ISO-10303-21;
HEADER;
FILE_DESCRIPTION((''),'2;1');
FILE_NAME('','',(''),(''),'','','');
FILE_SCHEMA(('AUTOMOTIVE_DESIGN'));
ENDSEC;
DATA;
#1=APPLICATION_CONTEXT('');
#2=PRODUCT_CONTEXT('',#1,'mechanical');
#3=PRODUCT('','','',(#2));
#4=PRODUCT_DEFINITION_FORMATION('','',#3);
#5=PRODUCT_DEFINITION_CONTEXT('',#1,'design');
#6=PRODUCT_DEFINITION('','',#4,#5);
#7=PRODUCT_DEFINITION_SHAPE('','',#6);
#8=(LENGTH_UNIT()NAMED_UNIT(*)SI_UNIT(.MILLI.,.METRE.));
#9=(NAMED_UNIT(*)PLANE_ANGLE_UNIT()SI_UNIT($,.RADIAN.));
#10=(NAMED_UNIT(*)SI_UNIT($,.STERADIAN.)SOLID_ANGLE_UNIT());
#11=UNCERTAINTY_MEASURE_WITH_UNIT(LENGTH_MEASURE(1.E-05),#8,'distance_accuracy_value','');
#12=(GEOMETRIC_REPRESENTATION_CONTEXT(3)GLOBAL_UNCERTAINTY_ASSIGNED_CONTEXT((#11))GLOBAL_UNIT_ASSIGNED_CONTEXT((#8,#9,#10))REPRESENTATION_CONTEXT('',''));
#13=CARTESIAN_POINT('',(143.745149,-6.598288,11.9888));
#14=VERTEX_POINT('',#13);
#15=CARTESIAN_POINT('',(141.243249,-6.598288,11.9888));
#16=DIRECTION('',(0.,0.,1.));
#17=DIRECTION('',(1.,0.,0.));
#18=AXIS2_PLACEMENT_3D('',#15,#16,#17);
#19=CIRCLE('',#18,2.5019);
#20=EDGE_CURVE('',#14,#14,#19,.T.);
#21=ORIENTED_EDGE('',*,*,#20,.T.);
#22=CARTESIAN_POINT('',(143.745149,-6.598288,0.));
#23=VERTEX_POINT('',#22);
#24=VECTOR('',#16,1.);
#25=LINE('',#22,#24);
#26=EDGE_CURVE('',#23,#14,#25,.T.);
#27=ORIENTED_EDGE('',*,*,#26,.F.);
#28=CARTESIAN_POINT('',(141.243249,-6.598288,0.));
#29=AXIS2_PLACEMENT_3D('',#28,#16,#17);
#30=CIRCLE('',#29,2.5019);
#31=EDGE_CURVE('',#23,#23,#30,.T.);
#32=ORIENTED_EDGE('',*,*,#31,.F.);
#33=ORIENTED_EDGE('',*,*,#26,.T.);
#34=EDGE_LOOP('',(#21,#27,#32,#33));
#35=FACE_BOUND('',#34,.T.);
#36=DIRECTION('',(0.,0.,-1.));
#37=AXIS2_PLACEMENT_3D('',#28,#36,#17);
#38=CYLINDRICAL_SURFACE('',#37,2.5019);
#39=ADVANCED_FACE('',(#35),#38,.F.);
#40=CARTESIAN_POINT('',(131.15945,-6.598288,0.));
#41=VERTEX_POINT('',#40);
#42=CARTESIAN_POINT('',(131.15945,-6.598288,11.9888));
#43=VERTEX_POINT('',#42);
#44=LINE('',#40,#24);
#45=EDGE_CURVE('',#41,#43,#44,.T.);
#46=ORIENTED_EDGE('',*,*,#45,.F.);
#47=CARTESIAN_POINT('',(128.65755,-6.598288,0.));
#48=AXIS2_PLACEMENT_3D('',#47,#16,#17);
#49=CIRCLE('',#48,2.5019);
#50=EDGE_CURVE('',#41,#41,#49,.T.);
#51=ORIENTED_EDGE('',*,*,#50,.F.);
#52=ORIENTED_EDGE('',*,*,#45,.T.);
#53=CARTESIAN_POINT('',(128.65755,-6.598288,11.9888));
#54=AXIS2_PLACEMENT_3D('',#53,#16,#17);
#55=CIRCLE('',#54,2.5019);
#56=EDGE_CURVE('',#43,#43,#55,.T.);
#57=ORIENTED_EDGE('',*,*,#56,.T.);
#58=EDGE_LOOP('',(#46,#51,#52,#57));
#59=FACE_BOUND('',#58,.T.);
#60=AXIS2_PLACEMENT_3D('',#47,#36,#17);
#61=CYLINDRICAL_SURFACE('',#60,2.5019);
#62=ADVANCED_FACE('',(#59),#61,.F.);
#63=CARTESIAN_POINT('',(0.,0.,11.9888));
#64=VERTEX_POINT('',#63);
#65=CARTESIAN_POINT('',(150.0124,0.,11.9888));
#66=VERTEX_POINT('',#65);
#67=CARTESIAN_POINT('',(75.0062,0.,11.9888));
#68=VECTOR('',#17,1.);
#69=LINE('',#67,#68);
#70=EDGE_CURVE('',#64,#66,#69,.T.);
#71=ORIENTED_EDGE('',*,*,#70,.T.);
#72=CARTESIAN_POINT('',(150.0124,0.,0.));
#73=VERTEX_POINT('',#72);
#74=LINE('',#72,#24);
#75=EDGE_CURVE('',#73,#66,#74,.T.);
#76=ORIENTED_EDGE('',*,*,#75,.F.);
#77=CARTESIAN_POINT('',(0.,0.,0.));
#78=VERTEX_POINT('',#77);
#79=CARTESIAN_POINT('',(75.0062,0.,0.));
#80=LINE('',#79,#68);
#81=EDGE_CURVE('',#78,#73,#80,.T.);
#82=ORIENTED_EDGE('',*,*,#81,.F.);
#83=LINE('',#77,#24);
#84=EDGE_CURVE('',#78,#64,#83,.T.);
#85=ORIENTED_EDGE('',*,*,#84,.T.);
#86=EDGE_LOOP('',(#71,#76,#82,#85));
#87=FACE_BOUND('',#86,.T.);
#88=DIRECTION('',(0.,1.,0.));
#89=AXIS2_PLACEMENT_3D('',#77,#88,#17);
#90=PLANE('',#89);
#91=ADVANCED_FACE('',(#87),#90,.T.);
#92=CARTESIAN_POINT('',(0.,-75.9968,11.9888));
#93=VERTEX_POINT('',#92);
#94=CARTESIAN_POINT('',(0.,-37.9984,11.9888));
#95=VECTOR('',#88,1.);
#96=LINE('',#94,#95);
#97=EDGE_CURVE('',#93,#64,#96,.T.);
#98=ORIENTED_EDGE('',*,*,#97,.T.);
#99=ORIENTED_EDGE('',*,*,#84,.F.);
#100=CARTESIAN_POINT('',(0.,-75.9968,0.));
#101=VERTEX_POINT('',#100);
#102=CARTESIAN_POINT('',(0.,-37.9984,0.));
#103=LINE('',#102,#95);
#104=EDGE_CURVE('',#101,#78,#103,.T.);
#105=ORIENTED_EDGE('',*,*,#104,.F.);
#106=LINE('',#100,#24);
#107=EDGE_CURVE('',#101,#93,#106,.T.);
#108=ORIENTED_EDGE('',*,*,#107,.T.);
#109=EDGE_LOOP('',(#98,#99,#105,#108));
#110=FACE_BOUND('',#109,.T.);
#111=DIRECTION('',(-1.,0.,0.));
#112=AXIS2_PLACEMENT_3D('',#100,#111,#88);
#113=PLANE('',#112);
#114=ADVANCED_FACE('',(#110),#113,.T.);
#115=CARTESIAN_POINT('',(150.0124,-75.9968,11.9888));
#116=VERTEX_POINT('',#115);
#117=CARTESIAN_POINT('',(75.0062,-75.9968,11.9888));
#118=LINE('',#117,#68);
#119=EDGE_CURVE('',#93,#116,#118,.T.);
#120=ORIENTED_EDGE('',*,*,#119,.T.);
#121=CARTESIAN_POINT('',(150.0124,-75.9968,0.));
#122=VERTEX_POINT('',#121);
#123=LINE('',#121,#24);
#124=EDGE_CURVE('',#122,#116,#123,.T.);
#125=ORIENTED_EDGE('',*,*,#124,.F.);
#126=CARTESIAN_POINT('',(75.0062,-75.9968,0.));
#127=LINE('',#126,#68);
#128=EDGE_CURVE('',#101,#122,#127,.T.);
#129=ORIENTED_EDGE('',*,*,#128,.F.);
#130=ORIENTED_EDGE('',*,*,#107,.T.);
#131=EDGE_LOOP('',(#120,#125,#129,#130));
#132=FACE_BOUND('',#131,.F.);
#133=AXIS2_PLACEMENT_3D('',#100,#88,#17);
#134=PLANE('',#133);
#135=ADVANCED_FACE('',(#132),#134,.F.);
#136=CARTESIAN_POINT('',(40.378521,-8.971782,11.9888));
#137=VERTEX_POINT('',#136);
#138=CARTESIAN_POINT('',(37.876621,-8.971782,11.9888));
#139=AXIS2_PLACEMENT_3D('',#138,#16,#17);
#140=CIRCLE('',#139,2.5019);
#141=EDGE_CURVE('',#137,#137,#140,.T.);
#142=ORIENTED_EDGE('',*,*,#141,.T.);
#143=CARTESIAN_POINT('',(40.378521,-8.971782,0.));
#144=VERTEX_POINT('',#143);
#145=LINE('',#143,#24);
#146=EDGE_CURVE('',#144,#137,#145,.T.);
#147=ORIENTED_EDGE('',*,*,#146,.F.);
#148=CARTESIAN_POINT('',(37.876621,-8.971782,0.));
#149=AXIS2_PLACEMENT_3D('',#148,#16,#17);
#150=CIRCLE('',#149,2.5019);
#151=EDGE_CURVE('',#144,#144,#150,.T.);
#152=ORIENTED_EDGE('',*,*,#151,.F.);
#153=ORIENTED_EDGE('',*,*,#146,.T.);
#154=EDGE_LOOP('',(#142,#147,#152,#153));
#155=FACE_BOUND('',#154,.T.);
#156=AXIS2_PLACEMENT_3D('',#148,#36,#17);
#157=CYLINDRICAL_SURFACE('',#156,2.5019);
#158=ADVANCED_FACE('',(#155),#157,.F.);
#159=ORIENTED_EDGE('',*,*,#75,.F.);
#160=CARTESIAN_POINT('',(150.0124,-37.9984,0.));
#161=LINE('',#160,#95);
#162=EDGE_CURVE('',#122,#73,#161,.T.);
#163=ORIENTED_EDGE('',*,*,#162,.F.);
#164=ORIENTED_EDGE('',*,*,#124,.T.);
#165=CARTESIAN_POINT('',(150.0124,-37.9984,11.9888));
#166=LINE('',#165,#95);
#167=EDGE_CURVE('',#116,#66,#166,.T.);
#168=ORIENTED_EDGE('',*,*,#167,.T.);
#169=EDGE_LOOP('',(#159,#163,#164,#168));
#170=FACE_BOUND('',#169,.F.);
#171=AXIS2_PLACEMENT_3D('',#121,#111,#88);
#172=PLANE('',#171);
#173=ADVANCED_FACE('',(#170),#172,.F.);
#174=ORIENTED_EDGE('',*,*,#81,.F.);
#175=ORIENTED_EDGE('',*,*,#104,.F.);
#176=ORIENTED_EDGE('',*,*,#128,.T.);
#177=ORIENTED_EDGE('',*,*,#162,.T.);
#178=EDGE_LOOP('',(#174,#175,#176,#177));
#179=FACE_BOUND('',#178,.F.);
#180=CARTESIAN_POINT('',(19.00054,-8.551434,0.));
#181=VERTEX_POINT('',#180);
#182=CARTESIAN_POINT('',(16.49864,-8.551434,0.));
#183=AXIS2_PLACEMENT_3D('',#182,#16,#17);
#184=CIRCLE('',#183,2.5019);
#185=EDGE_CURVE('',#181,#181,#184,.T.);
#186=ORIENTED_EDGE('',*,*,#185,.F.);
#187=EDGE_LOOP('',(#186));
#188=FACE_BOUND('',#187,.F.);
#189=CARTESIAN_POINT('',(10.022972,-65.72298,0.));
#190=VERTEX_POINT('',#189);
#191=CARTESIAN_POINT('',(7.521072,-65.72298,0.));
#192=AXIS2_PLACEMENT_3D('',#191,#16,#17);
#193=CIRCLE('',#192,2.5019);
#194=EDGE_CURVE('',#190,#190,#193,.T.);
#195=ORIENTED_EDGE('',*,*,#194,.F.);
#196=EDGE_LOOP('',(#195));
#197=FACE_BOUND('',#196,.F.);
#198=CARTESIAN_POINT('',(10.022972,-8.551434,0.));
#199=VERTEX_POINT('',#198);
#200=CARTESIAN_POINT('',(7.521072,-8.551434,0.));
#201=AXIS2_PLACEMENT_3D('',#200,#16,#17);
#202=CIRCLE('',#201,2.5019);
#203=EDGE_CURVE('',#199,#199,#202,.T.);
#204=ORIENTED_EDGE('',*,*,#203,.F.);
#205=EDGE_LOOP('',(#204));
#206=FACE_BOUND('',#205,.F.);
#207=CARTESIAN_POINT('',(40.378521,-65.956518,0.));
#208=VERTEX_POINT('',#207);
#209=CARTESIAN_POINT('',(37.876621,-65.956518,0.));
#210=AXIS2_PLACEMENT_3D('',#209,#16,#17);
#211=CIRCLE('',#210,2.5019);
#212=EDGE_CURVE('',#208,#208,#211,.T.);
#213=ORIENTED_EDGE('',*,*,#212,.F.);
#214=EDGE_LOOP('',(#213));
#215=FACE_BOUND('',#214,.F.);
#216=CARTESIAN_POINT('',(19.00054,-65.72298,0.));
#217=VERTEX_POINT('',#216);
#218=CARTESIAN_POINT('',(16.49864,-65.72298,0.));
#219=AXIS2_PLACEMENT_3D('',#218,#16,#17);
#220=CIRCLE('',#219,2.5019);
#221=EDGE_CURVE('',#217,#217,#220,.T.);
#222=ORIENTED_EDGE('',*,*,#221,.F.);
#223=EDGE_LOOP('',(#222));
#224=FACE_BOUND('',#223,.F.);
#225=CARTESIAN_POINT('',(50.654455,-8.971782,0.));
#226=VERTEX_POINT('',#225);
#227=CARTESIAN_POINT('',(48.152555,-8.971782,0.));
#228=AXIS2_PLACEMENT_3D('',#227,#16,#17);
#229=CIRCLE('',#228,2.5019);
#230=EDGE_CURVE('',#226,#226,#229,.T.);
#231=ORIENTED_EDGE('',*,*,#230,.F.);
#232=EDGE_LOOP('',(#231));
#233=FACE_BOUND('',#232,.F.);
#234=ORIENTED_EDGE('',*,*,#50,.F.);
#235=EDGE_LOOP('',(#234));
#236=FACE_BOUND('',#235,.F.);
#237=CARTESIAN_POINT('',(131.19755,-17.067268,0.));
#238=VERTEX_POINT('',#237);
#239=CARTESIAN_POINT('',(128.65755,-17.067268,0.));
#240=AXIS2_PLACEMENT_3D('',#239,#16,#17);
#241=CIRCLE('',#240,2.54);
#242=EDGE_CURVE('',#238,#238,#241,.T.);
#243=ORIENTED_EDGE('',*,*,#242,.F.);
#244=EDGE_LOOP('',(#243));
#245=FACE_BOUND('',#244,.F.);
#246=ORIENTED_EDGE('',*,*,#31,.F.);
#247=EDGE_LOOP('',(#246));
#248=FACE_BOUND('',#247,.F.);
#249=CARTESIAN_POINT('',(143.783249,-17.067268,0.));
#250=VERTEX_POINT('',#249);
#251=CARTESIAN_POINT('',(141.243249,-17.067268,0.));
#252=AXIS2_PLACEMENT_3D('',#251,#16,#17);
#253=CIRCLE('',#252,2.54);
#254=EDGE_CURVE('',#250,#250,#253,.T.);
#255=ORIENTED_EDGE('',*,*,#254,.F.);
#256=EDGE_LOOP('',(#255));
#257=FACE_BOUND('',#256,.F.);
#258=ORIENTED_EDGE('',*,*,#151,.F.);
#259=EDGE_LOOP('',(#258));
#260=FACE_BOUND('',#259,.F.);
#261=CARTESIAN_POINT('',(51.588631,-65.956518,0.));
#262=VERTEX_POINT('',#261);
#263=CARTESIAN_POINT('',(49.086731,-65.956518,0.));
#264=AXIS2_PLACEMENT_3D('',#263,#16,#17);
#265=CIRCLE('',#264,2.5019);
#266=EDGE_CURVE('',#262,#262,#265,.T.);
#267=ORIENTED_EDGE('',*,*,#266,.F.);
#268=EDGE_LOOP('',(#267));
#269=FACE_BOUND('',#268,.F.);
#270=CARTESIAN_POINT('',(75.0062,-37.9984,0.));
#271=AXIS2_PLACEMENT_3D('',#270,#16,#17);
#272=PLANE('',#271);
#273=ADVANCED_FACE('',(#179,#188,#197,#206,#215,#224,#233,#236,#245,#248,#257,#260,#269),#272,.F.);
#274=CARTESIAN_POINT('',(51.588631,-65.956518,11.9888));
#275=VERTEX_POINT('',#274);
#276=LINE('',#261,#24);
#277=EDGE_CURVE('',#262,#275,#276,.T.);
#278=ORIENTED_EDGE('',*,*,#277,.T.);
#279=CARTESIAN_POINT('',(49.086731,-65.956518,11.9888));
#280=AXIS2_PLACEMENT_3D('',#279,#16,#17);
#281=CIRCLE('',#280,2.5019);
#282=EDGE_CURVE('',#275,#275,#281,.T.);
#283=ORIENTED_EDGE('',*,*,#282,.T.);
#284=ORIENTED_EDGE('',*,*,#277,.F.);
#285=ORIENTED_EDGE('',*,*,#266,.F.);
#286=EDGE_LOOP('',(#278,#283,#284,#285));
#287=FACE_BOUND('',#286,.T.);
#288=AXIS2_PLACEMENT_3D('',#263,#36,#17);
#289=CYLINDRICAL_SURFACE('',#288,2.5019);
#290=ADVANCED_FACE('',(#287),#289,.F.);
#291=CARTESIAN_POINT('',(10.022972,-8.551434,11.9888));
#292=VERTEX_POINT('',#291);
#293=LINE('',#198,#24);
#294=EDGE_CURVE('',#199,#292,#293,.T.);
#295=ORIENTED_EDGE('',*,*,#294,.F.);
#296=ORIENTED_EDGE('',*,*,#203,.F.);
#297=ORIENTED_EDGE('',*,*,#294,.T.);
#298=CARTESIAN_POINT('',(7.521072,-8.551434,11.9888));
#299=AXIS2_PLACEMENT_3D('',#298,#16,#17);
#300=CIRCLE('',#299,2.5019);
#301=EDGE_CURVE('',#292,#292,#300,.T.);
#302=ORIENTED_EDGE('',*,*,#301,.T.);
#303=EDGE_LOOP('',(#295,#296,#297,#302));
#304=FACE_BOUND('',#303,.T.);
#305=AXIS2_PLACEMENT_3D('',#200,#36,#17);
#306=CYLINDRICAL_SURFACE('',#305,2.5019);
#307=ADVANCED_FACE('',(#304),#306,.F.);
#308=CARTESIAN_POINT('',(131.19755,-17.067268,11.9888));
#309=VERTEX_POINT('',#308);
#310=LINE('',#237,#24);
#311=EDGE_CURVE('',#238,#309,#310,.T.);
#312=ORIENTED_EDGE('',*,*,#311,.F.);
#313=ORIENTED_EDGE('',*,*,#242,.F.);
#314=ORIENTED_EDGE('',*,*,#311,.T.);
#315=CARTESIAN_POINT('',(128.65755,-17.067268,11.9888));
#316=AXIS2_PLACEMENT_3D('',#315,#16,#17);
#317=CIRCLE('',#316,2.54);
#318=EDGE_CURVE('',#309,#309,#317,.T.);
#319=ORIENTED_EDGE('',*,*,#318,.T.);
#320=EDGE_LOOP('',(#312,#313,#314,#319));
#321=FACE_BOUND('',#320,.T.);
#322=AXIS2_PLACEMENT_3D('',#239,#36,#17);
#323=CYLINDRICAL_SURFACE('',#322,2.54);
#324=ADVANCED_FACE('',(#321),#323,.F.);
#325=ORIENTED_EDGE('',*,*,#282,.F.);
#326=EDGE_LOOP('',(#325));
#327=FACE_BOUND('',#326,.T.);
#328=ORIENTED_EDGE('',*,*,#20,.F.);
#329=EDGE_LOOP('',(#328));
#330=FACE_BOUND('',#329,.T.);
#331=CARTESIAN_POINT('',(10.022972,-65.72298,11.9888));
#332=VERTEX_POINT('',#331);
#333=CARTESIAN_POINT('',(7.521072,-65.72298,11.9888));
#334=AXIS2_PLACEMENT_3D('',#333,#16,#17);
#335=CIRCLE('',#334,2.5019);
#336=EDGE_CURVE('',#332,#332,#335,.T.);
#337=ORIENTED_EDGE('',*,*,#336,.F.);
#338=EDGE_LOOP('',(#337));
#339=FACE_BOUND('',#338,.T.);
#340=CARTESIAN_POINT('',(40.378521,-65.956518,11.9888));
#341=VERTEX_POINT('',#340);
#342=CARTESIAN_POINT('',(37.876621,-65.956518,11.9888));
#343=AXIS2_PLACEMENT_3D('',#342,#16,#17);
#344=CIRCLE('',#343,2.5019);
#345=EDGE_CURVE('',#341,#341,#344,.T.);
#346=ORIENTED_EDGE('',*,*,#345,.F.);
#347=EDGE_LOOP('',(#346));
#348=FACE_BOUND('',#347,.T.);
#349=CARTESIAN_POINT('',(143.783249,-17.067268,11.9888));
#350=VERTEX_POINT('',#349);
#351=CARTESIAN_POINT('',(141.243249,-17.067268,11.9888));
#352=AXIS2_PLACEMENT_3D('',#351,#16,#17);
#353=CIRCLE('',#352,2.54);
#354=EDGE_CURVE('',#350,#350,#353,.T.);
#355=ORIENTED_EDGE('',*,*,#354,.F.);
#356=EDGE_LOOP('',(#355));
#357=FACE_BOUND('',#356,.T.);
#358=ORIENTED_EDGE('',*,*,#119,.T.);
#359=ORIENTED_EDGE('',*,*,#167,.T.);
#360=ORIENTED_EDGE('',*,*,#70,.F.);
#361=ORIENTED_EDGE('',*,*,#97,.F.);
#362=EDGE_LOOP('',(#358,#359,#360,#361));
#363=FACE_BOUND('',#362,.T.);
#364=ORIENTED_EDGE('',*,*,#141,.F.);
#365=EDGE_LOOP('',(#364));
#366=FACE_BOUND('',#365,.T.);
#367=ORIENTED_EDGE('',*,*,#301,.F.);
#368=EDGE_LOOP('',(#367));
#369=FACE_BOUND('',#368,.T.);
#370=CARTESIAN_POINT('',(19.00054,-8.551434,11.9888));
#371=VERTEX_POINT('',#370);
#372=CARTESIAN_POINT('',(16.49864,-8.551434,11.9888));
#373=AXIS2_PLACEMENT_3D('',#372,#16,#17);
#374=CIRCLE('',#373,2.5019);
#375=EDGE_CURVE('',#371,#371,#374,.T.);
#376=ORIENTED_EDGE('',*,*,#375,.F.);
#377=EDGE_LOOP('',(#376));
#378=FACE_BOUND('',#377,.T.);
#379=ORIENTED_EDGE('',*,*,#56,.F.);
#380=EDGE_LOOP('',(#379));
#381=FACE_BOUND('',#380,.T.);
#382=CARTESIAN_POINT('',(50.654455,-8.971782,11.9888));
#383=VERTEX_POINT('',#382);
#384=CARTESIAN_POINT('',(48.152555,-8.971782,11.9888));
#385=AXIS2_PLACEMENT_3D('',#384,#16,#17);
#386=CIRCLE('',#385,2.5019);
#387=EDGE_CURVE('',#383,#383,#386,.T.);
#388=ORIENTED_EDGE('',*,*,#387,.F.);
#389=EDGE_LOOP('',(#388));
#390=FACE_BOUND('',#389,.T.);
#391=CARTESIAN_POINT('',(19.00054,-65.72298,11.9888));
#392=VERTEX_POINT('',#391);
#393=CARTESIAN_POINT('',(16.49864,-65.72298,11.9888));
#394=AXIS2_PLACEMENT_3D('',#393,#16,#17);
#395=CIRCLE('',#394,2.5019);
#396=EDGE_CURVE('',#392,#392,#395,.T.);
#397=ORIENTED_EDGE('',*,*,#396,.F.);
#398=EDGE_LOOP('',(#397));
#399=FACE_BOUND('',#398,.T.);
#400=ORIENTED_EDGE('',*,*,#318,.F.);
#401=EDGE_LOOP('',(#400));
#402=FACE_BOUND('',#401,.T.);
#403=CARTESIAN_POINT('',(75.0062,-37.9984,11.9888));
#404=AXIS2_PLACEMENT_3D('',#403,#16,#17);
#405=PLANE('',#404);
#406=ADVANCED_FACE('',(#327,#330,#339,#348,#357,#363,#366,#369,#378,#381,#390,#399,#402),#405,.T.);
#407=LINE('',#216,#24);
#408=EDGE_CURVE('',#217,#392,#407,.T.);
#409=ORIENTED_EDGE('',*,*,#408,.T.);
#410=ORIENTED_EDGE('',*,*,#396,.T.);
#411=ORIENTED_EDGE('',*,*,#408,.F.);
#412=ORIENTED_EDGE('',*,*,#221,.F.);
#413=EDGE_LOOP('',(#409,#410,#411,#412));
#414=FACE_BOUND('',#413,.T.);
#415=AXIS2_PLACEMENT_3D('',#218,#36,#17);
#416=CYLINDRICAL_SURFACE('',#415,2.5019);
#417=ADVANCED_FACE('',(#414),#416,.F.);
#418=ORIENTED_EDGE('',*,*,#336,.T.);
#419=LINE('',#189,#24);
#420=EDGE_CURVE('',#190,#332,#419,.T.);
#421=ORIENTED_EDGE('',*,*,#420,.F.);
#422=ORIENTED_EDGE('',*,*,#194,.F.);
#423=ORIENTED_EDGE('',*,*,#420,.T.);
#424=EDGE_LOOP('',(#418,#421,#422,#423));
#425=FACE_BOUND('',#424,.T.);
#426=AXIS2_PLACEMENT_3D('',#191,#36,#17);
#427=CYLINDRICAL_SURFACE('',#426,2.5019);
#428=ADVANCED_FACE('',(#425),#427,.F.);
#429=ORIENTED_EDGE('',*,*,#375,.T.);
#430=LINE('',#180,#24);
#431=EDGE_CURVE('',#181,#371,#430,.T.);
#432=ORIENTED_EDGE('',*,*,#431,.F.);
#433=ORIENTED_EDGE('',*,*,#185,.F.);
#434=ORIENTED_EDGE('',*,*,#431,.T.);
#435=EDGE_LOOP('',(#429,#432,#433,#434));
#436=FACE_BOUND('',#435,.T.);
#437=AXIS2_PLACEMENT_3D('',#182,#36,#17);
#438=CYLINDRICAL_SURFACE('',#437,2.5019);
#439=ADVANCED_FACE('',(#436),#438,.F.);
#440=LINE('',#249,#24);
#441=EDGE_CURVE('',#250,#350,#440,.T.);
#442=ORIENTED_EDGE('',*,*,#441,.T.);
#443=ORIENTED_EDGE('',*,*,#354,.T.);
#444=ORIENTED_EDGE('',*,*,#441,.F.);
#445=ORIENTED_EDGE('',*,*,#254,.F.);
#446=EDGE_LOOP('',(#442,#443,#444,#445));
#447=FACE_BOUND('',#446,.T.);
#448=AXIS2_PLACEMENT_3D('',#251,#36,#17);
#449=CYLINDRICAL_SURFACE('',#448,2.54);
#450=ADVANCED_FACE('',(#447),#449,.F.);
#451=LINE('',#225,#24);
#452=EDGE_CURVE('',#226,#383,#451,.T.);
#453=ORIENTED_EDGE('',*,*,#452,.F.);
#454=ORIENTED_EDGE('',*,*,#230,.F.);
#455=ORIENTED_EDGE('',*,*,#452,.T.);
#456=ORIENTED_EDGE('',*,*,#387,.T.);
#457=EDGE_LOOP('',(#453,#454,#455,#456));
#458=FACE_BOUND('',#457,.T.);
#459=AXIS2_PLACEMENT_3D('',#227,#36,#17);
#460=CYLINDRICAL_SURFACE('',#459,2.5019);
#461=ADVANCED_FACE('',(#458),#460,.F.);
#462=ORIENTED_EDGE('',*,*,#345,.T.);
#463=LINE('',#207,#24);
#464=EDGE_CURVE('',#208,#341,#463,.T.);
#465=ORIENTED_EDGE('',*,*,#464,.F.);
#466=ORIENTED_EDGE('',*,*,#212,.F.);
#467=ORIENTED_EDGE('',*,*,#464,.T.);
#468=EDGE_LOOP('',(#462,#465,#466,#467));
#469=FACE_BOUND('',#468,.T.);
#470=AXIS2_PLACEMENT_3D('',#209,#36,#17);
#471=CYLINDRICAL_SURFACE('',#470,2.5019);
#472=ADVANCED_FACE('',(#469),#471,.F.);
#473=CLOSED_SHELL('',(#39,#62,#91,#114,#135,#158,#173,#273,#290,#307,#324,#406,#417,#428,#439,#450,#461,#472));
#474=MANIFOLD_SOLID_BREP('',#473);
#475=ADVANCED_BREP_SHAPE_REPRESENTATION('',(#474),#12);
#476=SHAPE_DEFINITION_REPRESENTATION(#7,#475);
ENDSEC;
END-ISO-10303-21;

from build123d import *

# Parameters (mm, degrees)
F0_W     = 150.0124
F0_H     = 75.9968
F0_R     = 2.5019
F0_R_2   = 2.54
F1_DEPTH = 11.9888


with BuildPart() as f1:
    # F0 (on Top) → F1 (new body)
    with BuildSketch(Plane.XY):
        with Locations((75.0062, -37.9984)):
            Rectangle(F0_W, F0_H)
        with Locations((7.521072, -65.72298)):
            Circle(F0_R, mode=Mode.SUBTRACT)
        with Locations((16.49864, -65.72298)):
            Circle(F0_R, mode=Mode.SUBTRACT)
        with Locations((37.876621, -65.956518)):
            Circle(F0_R, mode=Mode.SUBTRACT)
        with Locations((49.086731, -65.956518)):
            Circle(F0_R, mode=Mode.SUBTRACT)
        with Locations((7.521072, -8.551434)):
            Circle(F0_R, mode=Mode.SUBTRACT)
        with Locations((16.49864, -8.551434)):
            Circle(F0_R, mode=Mode.SUBTRACT)
        with Locations((37.876621, -8.971782)):
            Circle(F0_R, mode=Mode.SUBTRACT)
        with Locations((48.152555, -8.971782)):
            Circle(F0_R, mode=Mode.SUBTRACT)
        with Locations((128.65755, -17.067268)):
            Circle(F0_R_2, mode=Mode.SUBTRACT)
        with Locations((141.243249, -17.067268)):
            Circle(F0_R_2, mode=Mode.SUBTRACT)
        with Locations((128.65755, -6.598288)):
            Circle(F0_R, mode=Mode.SUBTRACT)
        with Locations((141.243249, -6.598288)):
            Circle(F0_R, mode=Mode.SUBTRACT)
    extrude(amount=F1_DEPTH)


solid = f1.part
